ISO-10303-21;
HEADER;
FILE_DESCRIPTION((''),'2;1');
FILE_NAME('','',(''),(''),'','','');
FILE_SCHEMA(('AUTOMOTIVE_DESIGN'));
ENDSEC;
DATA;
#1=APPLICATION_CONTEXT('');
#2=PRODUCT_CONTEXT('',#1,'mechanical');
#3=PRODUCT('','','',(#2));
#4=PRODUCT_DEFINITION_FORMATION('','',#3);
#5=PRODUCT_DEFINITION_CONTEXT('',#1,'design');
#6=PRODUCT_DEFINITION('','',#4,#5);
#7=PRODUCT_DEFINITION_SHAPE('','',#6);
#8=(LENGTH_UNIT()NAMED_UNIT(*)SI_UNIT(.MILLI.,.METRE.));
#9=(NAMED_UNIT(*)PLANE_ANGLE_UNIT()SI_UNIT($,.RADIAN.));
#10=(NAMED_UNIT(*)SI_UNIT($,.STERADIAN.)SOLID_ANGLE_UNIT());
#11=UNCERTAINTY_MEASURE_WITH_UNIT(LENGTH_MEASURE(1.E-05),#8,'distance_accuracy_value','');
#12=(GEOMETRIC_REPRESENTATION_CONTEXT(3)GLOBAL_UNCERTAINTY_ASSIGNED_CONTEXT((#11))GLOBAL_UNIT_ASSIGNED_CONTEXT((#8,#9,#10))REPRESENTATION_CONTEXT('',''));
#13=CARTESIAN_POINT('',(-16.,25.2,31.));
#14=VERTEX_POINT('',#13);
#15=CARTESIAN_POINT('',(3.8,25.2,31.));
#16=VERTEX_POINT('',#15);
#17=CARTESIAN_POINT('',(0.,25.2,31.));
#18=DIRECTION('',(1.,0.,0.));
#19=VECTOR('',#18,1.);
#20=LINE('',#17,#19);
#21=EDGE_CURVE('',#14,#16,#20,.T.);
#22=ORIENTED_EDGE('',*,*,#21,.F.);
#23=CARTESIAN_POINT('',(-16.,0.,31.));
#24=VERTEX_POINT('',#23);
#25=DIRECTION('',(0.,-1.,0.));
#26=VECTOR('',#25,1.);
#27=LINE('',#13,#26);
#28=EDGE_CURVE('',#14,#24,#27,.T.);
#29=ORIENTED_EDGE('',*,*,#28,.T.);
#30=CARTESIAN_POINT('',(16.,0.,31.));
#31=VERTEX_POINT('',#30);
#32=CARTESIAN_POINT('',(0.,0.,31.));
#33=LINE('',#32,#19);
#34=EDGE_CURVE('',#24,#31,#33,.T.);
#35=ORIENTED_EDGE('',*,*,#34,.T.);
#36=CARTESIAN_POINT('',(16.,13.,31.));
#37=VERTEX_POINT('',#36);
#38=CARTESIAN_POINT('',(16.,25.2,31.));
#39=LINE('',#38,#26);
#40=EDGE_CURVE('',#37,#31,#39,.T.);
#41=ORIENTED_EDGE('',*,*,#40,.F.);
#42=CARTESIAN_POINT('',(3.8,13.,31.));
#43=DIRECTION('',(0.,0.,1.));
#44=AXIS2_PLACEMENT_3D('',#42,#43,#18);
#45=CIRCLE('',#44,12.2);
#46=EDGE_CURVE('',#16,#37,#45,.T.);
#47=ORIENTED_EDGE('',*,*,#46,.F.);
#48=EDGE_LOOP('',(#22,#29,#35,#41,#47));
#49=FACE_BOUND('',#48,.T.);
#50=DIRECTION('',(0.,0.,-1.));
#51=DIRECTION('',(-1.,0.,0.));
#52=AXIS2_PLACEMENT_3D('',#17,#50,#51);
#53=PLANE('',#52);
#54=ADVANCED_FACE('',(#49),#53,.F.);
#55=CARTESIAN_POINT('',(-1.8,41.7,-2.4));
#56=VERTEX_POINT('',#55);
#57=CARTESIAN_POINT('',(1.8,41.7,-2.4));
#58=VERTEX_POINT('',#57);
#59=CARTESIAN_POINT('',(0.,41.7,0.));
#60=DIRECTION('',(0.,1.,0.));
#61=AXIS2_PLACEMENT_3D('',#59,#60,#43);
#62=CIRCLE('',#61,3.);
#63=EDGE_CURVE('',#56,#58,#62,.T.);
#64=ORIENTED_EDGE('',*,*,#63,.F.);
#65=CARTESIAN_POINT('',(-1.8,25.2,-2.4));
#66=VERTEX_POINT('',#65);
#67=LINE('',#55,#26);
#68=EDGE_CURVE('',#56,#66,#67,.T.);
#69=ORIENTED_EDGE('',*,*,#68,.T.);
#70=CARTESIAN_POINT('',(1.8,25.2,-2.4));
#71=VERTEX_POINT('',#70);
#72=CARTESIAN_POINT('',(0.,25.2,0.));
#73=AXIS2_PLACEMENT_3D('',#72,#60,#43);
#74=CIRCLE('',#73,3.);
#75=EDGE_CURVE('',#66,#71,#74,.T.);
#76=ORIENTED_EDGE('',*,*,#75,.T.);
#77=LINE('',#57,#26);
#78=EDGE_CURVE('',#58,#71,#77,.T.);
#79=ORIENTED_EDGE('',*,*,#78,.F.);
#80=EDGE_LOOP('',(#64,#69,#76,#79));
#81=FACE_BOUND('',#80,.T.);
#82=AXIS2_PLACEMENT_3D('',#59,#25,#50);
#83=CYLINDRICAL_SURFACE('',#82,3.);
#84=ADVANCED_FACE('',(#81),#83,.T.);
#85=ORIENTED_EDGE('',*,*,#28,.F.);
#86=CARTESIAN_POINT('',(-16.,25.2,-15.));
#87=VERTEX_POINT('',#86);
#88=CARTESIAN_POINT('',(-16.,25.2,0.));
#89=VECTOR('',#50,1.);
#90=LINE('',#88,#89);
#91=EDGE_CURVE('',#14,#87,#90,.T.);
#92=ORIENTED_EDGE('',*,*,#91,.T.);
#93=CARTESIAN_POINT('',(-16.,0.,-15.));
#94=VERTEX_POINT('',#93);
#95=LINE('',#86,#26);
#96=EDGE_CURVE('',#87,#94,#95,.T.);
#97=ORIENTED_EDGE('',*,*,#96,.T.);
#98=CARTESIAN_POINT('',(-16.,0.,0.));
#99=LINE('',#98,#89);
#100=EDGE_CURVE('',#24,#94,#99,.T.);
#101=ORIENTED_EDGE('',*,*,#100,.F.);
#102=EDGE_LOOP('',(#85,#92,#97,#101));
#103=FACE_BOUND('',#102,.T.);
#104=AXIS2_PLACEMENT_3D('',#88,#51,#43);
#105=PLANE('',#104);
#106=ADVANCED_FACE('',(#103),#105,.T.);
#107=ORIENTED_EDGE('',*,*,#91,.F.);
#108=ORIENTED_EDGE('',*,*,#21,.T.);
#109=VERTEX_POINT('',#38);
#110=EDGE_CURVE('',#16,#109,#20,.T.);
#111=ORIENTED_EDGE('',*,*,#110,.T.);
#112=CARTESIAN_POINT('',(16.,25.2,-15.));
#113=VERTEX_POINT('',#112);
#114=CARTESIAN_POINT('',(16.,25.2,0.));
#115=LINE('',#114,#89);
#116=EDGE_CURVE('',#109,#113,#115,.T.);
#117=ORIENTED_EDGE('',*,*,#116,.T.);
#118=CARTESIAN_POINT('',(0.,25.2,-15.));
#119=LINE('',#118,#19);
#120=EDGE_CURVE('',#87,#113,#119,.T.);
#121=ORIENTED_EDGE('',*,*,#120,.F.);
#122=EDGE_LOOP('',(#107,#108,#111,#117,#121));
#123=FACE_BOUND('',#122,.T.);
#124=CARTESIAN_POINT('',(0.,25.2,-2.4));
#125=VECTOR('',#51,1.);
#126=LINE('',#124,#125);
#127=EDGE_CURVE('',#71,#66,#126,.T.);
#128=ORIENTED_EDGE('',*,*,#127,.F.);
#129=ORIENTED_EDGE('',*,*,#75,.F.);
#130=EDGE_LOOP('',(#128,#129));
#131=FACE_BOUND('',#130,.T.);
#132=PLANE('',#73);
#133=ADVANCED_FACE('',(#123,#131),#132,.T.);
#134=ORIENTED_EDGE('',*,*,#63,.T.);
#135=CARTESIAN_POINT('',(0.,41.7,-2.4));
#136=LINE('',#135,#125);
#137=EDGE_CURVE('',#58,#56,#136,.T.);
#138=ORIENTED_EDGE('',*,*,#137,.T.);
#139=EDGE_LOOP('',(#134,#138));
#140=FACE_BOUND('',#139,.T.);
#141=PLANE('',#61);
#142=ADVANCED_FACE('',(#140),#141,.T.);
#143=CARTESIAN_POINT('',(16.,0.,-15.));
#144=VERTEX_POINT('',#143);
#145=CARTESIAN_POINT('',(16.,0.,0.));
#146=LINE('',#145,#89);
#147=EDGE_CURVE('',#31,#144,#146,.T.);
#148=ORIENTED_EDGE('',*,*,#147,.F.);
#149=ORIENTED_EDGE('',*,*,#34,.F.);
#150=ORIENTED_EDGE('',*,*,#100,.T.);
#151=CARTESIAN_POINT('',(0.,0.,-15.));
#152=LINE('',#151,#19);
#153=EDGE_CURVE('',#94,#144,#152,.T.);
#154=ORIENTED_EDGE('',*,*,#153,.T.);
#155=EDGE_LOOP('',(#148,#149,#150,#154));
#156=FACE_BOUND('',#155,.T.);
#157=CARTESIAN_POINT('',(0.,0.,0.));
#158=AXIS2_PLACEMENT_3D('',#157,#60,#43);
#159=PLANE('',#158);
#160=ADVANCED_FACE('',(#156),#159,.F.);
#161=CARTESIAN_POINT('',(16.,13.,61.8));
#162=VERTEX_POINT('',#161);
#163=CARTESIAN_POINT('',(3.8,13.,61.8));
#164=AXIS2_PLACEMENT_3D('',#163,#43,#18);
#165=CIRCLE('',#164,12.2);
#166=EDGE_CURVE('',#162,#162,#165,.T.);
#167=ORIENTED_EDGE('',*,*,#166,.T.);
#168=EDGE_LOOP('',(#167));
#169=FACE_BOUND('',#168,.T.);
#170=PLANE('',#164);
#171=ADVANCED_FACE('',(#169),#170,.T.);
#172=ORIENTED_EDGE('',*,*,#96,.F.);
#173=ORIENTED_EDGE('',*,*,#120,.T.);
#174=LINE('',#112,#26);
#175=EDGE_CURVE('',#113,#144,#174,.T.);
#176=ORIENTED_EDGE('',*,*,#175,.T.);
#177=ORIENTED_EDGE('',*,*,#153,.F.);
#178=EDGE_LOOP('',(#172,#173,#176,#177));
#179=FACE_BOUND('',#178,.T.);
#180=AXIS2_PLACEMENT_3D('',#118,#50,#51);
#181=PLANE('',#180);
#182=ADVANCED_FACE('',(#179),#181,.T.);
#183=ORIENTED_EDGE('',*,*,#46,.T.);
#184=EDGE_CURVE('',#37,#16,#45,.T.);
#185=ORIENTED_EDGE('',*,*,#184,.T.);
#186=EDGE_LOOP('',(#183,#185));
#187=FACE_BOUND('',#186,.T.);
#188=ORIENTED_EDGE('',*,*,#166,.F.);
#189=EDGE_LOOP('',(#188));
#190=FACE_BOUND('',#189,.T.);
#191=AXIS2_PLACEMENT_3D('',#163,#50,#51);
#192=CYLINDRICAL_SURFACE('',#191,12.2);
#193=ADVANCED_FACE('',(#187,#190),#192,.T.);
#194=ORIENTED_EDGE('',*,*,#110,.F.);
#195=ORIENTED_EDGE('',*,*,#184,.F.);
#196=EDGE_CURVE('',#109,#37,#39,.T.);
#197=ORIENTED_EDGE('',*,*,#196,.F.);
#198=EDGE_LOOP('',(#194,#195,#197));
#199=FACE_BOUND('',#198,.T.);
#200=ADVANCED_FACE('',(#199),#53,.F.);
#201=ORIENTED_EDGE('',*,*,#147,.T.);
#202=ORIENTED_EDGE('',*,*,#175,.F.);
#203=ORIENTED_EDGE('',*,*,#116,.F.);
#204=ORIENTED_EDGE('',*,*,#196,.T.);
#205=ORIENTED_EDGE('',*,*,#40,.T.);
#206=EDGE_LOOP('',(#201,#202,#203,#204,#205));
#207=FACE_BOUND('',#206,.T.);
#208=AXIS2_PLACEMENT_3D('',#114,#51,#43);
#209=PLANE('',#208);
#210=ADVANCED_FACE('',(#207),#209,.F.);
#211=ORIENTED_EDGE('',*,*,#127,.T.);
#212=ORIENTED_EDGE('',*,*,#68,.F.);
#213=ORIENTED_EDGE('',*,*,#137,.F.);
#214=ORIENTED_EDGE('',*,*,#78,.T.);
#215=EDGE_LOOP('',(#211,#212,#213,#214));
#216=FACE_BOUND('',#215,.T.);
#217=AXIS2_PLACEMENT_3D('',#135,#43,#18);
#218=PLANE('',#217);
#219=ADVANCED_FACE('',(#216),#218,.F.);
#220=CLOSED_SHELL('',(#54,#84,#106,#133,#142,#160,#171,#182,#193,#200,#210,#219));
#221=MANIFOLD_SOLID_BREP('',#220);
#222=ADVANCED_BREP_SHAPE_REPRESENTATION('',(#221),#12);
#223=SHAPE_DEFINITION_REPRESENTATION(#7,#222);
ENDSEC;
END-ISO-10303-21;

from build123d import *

# Parameters (mm, degrees)
SKETCH1_W           = 32
SKETCH1_H           = 46
BOSS_EXTRUDE1_DEPTH = 25.2
BOSS_EXTRUDE2_START = 25.2
BOSS_EXTRUDE2_DEPTH = 16.5
SKETCH2_R           = 12.2
BOSS_EXTRUDE3_DEPTH = 30.8


with BuildPart() as part:
    # Sketch1 → Boss-Extrude1 (new body)
    # profile 1 of 2: a face of its own
    with BuildSketch(Plane(origin=(0, 0, 0), x_dir=(1, 0, 0), z_dir=(0, 1, 0))):
        with Locations((0, -8)):
            Rectangle(SKETCH1_W, SKETCH1_H)
        with BuildLine():
            ThreePointArc((-1.8, 2.4), (0, -3), (1.8, 2.4))
            Line((1.8, 2.4), (-1.8, 2.4))
        make_face(mode=Mode.SUBTRACT)
    # profile 2 of 2: a face of its own
    with BuildSketch(Plane(origin=(0, 0, 0), x_dir=(1, 0, 0), z_dir=(0, 1, 0))):
        with BuildLine():
            Line((-1.8, 2.4), (1.8, 2.4))
            ThreePointArc((1.8, 2.4), (0, -3), (-1.8, 2.4))
        make_face()
    extrude(amount=BOSS_EXTRUDE1_DEPTH)

    # Sketch1<3> → Boss-Extrude2 (add)
    with BuildSketch(Plane(origin=(0, 0, 0), x_dir=(1, 0, 0), z_dir=(0, 1, 0)).offset(BOSS_EXTRUDE2_START)):
        with BuildLine():
            Line((-1.8, 2.4), (1.8, 2.4))
            ThreePointArc((1.8, 2.4), (0, -3), (-1.8, 2.4))
        make_face()
    extrude(amount=BOSS_EXTRUDE2_DEPTH)

    # Sketch2 → Boss-Extrude3 (add)
    with BuildSketch(Plane.XY.offset(31)):
        with Locations((3.8, 13)):
            Circle(SKETCH2_R)
    extrude(amount=BOSS_EXTRUDE3_DEPTH)


solid = part.part
